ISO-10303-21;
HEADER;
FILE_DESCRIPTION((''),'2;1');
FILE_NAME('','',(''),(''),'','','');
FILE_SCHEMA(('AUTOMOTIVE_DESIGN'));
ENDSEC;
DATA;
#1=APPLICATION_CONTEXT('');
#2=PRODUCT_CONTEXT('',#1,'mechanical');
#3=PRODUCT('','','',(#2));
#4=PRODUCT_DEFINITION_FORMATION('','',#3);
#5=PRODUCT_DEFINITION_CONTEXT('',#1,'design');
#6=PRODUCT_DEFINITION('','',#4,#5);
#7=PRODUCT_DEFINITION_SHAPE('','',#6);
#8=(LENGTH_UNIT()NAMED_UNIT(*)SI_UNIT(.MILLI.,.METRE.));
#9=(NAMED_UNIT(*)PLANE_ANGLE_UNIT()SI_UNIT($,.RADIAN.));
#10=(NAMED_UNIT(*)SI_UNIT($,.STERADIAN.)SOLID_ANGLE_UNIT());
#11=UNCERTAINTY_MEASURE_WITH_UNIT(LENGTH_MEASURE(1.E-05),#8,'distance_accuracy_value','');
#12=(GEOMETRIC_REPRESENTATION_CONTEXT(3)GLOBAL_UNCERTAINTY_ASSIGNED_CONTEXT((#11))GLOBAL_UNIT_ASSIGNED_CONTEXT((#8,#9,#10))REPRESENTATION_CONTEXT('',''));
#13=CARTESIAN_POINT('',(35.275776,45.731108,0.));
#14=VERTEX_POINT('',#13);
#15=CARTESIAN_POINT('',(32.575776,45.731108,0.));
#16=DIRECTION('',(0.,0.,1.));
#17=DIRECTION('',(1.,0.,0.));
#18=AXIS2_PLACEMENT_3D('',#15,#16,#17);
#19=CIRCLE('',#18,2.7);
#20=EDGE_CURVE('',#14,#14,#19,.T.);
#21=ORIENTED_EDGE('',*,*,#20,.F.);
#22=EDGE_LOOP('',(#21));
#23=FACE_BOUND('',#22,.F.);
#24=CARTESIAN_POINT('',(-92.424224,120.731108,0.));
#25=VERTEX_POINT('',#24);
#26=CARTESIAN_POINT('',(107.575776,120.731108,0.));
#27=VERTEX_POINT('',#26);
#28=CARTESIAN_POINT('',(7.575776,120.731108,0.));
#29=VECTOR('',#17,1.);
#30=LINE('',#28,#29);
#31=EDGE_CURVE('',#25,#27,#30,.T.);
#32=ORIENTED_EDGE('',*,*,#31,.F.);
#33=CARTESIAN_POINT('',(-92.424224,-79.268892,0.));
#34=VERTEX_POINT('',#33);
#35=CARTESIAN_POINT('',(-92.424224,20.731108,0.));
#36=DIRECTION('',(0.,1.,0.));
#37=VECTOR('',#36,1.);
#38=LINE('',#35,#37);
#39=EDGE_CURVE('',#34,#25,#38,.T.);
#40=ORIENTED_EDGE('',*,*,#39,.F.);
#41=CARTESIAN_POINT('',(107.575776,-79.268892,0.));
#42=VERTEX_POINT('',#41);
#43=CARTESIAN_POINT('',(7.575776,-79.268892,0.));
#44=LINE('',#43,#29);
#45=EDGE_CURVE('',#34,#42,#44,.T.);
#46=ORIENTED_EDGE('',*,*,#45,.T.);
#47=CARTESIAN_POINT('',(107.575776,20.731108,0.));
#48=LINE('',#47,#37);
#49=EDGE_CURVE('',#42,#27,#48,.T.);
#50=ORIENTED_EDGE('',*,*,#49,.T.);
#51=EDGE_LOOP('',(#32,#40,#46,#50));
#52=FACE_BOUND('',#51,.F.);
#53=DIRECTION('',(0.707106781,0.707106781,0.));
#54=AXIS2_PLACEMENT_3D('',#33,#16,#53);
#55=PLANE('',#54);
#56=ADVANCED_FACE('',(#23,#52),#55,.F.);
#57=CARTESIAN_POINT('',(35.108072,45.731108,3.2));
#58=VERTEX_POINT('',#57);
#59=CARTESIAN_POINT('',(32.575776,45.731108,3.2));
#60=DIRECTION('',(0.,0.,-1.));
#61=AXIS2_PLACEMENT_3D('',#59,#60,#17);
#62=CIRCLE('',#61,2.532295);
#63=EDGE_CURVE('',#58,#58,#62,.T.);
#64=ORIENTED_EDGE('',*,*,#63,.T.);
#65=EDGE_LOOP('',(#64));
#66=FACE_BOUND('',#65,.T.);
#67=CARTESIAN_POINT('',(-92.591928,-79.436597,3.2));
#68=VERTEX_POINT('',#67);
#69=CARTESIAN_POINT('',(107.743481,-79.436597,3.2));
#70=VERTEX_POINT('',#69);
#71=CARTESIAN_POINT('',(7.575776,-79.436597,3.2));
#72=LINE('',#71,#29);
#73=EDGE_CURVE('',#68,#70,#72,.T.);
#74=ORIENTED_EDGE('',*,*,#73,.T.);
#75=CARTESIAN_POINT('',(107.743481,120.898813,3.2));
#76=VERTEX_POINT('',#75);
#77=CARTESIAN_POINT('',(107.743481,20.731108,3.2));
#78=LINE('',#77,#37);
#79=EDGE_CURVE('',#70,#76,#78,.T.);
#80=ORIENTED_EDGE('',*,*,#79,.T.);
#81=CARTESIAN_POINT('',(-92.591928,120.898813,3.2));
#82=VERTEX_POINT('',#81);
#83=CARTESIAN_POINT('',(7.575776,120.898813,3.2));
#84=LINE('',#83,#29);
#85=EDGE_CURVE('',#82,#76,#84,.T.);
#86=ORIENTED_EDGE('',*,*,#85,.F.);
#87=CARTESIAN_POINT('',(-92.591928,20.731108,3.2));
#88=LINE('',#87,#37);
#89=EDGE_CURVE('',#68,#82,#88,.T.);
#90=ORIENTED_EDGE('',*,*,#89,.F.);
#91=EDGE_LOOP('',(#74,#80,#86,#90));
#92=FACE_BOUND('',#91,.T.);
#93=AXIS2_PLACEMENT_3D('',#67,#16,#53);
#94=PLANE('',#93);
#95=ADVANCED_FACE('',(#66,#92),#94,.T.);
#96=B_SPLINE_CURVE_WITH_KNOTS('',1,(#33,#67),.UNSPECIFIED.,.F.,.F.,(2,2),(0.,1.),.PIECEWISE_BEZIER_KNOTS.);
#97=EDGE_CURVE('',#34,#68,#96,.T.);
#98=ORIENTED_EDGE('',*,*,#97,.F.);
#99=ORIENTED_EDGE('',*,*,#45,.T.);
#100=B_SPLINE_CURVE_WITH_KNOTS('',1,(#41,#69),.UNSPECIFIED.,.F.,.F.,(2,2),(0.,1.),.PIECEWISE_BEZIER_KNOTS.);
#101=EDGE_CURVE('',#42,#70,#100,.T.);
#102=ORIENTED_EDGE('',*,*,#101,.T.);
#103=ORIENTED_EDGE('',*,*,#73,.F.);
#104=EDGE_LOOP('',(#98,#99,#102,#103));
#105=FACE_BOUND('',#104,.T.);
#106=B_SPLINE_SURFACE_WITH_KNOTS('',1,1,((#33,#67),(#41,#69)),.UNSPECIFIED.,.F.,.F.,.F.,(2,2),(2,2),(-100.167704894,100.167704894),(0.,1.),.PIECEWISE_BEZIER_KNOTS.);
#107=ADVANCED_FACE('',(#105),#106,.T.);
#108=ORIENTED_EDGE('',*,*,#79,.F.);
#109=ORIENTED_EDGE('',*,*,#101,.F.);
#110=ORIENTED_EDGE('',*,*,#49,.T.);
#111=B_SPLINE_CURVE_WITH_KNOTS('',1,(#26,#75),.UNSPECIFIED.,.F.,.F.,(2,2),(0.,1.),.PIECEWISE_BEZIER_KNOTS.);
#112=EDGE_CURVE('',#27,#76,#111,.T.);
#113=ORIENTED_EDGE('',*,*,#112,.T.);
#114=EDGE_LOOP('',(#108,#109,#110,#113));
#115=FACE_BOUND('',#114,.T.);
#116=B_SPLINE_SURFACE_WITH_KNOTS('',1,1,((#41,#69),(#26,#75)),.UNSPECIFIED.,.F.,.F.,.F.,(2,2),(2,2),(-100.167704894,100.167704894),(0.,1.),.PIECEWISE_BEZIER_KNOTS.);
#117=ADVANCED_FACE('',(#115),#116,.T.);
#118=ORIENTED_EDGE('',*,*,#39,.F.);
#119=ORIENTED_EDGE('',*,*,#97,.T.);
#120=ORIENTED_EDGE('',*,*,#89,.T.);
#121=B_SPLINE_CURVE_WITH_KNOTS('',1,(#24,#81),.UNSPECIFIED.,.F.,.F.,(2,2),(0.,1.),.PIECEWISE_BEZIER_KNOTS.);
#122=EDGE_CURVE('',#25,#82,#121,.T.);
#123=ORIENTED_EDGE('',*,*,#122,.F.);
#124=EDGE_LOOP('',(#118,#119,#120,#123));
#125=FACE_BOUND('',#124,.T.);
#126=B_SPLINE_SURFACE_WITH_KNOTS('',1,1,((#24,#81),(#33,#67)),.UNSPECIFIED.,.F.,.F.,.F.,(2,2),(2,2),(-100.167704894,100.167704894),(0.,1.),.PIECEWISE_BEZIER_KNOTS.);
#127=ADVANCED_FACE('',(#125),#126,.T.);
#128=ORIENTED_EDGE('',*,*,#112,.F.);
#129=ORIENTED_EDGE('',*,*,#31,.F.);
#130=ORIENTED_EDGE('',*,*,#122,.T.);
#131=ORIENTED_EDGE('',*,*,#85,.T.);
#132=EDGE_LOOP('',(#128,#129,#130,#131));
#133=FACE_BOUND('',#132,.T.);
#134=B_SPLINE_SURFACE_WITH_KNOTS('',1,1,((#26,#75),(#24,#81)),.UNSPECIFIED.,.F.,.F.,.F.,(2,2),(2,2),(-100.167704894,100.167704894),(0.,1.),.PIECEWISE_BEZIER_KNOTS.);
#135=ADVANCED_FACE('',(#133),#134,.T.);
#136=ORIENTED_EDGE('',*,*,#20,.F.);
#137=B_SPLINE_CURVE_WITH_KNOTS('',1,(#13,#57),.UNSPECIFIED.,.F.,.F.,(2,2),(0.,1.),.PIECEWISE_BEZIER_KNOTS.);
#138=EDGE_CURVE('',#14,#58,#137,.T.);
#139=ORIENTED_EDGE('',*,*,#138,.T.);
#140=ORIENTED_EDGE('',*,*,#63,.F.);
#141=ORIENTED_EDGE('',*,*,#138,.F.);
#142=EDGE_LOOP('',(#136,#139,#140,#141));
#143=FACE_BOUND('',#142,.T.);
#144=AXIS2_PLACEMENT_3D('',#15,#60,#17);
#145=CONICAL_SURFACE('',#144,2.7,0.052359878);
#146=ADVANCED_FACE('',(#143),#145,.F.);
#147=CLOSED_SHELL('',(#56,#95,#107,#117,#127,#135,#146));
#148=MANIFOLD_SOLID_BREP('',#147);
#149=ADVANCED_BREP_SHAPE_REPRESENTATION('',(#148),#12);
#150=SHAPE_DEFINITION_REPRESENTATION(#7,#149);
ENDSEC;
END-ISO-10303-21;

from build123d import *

# Parameters (mm, degrees)
F0_W     = 200
F0_H     = 200
F0_R     = 2.7
F1_DEPTH = 3.2
F1_TAPER = -3


with BuildPart() as f1:
    # F0 (on Top) → F1 (new body)
    with BuildSketch(Plane.XY):
        with Locations((7.575776428, 20.7311080147)):
            Rectangle(F0_W, F0_H)
        with Locations((32.575776428, 45.7311080147)):
            Circle(F0_R, mode=Mode.SUBTRACT)
    extrude(amount=F1_DEPTH, taper=F1_TAPER)


solid = f1.part
